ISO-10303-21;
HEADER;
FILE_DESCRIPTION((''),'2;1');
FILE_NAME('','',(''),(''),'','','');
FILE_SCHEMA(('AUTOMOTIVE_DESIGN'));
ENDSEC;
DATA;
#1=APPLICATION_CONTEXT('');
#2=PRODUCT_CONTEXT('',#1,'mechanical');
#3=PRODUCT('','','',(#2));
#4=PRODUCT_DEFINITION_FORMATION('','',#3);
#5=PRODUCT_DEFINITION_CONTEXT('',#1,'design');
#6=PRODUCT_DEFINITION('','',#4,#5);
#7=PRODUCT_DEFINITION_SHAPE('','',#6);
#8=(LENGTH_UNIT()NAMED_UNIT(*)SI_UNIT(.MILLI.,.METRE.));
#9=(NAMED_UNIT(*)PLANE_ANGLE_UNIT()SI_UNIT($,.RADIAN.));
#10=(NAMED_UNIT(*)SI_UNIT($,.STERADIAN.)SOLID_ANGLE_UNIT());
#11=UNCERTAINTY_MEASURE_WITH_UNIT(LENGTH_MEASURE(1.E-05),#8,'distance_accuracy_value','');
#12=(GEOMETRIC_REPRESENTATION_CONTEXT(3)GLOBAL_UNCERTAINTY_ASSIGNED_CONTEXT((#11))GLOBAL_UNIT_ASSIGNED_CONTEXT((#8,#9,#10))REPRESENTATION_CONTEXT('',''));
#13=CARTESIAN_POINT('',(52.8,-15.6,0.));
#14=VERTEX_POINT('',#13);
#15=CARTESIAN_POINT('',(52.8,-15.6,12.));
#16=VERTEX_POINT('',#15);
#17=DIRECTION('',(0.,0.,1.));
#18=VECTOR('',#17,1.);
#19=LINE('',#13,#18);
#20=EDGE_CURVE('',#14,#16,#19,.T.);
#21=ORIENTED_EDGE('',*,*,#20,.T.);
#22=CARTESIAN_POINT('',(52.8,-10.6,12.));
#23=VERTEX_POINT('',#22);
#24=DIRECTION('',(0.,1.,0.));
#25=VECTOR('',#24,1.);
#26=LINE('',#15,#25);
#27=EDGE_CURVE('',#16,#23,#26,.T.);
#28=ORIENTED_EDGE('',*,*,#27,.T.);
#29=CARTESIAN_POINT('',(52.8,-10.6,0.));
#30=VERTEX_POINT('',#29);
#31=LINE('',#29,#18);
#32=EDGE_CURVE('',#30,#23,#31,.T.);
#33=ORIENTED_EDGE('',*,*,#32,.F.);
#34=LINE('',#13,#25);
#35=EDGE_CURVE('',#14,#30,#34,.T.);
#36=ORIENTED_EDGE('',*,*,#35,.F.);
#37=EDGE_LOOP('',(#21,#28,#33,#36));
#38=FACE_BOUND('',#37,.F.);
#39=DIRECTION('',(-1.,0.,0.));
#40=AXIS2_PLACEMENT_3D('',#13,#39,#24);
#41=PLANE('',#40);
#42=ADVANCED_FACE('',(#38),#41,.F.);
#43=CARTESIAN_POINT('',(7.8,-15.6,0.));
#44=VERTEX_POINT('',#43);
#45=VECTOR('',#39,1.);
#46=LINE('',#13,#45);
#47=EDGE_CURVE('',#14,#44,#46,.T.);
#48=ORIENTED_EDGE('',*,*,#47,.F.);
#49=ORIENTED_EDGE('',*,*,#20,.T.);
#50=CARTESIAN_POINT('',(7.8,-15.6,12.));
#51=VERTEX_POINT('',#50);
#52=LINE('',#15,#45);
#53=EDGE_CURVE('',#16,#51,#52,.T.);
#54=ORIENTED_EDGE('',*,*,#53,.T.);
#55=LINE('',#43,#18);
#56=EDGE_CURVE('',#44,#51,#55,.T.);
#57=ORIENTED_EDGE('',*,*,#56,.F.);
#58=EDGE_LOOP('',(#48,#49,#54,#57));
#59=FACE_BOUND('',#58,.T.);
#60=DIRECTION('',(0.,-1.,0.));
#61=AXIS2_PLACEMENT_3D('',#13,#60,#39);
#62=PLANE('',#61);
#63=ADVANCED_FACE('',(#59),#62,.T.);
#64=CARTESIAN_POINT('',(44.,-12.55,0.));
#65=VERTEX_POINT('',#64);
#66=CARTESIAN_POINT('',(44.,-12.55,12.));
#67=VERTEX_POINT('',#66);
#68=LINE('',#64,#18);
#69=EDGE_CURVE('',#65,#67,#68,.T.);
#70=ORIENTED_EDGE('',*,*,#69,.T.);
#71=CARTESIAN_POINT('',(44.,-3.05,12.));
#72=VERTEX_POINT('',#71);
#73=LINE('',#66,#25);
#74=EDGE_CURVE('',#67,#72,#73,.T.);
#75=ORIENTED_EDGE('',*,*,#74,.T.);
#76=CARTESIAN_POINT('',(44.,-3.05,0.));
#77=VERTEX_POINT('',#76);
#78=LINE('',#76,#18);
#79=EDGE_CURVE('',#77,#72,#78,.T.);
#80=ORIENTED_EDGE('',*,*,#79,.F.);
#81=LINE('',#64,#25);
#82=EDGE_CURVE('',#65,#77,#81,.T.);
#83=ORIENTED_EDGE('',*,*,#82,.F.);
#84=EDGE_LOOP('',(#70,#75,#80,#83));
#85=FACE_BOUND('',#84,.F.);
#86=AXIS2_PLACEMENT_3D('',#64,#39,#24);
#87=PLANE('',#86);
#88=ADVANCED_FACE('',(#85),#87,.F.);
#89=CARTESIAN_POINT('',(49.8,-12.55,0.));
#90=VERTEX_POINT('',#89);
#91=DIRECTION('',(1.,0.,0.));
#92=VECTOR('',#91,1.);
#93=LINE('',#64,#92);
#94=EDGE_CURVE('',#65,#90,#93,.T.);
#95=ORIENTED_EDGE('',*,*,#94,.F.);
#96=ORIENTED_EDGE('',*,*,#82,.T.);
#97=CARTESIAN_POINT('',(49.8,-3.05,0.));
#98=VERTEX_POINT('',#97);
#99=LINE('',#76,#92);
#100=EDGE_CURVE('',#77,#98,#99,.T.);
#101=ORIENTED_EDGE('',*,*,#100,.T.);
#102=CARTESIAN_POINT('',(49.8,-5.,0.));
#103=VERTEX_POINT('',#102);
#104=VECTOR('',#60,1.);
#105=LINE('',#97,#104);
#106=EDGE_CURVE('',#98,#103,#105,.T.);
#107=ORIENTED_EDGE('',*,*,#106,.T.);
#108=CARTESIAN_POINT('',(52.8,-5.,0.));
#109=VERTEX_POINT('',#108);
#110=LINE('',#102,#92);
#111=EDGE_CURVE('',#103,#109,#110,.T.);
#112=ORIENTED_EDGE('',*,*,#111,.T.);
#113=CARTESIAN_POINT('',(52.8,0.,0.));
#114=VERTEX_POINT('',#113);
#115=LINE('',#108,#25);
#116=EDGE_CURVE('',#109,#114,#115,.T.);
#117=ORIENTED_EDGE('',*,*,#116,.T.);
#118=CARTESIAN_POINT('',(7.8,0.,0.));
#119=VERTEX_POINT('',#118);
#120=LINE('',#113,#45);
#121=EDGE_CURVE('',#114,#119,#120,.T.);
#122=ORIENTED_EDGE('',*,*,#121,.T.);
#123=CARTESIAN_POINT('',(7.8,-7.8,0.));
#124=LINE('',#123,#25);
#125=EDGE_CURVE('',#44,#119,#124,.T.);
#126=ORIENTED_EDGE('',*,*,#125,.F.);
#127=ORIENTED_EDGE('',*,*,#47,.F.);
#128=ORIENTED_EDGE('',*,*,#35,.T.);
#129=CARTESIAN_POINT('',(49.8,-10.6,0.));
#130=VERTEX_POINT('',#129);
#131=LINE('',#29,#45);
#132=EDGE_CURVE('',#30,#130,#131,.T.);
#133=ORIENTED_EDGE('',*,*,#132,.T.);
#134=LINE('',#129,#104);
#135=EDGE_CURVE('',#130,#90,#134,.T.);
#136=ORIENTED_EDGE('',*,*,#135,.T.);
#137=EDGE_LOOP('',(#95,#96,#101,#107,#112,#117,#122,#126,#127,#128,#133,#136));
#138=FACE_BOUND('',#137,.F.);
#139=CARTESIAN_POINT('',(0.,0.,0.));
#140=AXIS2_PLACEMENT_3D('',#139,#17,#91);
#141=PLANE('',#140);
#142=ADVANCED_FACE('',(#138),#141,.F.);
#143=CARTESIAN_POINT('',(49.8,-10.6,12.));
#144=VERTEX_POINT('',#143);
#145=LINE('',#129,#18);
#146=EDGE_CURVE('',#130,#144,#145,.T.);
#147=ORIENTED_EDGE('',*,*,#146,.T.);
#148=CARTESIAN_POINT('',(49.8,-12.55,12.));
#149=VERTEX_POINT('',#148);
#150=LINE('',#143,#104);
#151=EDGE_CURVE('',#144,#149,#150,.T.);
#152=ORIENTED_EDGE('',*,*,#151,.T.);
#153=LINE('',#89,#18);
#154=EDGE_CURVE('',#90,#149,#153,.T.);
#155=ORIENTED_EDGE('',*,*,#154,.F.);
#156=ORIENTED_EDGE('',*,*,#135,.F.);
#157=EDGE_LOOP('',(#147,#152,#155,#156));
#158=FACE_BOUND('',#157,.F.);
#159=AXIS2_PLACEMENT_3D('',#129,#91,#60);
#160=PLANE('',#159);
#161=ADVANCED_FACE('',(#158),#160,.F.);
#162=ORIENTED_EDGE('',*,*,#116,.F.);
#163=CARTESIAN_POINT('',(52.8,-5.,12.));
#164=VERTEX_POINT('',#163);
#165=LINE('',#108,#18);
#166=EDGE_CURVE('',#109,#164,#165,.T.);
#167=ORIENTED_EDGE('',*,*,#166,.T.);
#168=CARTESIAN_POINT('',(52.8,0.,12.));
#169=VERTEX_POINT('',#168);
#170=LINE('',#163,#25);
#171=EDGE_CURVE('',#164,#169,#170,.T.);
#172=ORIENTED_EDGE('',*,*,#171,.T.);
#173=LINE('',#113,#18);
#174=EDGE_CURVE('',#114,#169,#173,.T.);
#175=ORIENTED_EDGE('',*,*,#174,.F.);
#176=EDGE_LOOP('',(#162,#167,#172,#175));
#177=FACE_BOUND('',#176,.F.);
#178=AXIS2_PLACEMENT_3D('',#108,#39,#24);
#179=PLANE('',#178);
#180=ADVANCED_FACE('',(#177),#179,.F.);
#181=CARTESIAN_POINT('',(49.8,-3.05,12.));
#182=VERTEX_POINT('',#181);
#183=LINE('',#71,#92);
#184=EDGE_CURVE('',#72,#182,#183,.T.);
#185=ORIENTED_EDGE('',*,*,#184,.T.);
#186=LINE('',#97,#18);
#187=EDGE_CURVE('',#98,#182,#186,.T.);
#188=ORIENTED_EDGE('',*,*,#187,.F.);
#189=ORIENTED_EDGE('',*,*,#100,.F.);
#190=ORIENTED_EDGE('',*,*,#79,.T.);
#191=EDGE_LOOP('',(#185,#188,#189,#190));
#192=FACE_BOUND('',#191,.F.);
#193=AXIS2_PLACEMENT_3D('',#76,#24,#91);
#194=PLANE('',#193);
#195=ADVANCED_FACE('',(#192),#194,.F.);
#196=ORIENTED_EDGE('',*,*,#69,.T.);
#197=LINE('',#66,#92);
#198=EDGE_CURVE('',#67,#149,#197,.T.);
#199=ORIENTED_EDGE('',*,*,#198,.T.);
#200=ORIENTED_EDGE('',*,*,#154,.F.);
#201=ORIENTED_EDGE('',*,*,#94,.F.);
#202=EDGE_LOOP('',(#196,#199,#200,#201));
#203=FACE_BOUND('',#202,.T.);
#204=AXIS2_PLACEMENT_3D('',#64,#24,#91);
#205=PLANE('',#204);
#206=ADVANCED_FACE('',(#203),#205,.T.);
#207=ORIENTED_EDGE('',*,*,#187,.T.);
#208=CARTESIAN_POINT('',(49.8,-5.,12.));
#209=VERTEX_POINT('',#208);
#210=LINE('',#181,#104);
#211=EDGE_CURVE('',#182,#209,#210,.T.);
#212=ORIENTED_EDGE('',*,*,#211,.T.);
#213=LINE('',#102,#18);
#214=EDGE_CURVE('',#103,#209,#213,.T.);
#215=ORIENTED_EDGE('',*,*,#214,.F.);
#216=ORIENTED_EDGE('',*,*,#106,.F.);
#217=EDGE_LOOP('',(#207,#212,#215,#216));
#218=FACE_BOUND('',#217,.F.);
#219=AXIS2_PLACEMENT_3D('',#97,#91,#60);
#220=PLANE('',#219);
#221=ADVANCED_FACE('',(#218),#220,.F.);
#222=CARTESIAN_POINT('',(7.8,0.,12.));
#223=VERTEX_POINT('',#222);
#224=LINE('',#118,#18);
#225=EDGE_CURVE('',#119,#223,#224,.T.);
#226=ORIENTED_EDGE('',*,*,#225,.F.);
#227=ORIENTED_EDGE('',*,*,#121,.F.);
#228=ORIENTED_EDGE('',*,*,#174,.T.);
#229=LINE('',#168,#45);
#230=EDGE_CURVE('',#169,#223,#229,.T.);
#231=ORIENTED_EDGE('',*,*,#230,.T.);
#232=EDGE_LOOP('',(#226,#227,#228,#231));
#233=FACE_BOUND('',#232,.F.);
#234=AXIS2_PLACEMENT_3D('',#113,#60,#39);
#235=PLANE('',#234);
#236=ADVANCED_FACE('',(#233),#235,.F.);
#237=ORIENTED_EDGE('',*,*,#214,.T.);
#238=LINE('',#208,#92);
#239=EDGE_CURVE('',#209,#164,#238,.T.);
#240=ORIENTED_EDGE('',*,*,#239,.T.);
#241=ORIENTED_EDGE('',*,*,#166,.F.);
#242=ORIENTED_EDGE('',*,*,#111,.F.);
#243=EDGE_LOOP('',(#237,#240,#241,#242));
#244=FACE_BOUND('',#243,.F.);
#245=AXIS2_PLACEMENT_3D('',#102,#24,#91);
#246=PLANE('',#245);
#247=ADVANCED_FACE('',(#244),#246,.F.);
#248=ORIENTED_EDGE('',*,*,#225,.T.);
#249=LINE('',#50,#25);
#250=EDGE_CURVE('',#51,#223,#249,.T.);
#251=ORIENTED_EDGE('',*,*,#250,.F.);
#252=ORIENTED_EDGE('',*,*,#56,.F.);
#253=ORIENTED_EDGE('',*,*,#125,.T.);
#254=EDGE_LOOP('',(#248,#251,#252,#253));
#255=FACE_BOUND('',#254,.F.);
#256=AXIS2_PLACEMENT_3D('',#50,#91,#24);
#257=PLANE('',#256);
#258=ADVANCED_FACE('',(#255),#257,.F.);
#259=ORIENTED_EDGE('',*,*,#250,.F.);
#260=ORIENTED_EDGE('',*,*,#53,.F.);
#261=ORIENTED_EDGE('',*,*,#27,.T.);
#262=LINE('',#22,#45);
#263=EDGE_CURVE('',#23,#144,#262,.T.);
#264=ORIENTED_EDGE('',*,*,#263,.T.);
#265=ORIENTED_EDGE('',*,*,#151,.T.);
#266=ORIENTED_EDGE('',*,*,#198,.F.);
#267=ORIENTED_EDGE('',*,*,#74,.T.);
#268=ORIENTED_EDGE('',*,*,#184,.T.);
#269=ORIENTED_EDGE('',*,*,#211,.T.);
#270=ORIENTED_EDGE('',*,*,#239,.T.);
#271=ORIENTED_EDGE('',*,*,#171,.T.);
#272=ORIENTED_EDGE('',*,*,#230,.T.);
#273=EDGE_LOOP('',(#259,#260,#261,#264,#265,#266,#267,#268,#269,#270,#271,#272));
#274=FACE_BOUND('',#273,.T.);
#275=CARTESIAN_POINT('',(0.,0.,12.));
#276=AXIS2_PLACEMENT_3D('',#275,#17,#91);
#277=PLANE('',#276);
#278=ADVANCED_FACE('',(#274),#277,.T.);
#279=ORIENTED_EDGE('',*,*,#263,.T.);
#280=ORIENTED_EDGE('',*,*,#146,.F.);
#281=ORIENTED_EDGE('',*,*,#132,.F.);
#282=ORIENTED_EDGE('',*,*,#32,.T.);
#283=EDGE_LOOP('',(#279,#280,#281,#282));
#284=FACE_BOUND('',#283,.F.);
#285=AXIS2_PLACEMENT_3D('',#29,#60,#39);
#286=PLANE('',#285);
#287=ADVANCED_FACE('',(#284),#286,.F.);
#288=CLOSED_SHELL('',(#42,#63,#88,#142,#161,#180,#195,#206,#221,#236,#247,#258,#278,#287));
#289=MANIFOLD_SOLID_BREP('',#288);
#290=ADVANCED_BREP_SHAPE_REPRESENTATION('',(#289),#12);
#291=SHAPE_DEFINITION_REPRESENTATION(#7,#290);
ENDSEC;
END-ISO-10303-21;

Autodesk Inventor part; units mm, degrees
ref_plane "YZ Plane" through (0, 0, 0) normal (1, 0, 0) x (0, 1, 0)
ref_plane "XZ Plane" through (0, 0, 0) normal (0, 1, 0) x (-1, 0, 0)
ref_plane "XY Plane" through (0, 0, 0) normal (0, 0, 1) x (1, 0, 0)
sketch "Sketch5" plane through (0, 0, 0) normal (0, 0, 1) x (1, 0, 0)
  line L0 (52.8, -15.6) -> (52.8, -10.6)
  line L1 (52.8, -10.6) -> (49.8, -10.6)
  line L2 (49.8, -10.6) -> (49.8, -12.55)
  line L3 (44, -12.55) -> (44, -3.05)
  line L4 (49.8, -3.05) -> (49.8, -5)
  line L5 (49.8, -5) -> (52.8, -5)
  line L6 (52.8, -5) -> (52.8, 0)
  line L7 (52.8, 0) -> (7.8, 0)
  line L8 (44, -3.05) -> (49.8, -3.05)
  line L9 (44, -12.55) -> (49.8, -12.55)
  line L10 (52.8, -15.6) -> (7.8, -15.6)
  arc A0 (7.8, 0) -> (7.8, -15.6) centre (7.8, -7.8) ccw
  point P0 (0, 0)
  dimension "d41" = 5.8
  dimension "d48" = 44
  dimension "d50" = 3
  dimension "d63" = 45
  dimension "d67" = 15.6
  dimension "d71" = 0
  dimension "d72" = 36.2
  dimension "d80" = 5.6
  dimension "d81" = 9.5
extrude "Extrusion2" add sketch "Sketch5" along normal blind 12
sketch "Sketch7" plane through (0, 0, 12) normal (0, 0, 1) x (1, 0, 0)
  line L0 (52.8, 0) -> (7.8, 0) projected
  line L1 (7.8, 0) -> (0, 0)
  line L2 (0, 0) -> (0, -15.6)
  line L3 (0, -15.6) -> (7.8, -15.6)
  line L4 (7.8, -15.6) -> (7.8, 0)
  point P0 (0, 0)
extrude "Extrusion4" cut sketch "Sketch7" against normal through all
equation "\"l1\" = 8"
properties part number "Finray_test_8"
